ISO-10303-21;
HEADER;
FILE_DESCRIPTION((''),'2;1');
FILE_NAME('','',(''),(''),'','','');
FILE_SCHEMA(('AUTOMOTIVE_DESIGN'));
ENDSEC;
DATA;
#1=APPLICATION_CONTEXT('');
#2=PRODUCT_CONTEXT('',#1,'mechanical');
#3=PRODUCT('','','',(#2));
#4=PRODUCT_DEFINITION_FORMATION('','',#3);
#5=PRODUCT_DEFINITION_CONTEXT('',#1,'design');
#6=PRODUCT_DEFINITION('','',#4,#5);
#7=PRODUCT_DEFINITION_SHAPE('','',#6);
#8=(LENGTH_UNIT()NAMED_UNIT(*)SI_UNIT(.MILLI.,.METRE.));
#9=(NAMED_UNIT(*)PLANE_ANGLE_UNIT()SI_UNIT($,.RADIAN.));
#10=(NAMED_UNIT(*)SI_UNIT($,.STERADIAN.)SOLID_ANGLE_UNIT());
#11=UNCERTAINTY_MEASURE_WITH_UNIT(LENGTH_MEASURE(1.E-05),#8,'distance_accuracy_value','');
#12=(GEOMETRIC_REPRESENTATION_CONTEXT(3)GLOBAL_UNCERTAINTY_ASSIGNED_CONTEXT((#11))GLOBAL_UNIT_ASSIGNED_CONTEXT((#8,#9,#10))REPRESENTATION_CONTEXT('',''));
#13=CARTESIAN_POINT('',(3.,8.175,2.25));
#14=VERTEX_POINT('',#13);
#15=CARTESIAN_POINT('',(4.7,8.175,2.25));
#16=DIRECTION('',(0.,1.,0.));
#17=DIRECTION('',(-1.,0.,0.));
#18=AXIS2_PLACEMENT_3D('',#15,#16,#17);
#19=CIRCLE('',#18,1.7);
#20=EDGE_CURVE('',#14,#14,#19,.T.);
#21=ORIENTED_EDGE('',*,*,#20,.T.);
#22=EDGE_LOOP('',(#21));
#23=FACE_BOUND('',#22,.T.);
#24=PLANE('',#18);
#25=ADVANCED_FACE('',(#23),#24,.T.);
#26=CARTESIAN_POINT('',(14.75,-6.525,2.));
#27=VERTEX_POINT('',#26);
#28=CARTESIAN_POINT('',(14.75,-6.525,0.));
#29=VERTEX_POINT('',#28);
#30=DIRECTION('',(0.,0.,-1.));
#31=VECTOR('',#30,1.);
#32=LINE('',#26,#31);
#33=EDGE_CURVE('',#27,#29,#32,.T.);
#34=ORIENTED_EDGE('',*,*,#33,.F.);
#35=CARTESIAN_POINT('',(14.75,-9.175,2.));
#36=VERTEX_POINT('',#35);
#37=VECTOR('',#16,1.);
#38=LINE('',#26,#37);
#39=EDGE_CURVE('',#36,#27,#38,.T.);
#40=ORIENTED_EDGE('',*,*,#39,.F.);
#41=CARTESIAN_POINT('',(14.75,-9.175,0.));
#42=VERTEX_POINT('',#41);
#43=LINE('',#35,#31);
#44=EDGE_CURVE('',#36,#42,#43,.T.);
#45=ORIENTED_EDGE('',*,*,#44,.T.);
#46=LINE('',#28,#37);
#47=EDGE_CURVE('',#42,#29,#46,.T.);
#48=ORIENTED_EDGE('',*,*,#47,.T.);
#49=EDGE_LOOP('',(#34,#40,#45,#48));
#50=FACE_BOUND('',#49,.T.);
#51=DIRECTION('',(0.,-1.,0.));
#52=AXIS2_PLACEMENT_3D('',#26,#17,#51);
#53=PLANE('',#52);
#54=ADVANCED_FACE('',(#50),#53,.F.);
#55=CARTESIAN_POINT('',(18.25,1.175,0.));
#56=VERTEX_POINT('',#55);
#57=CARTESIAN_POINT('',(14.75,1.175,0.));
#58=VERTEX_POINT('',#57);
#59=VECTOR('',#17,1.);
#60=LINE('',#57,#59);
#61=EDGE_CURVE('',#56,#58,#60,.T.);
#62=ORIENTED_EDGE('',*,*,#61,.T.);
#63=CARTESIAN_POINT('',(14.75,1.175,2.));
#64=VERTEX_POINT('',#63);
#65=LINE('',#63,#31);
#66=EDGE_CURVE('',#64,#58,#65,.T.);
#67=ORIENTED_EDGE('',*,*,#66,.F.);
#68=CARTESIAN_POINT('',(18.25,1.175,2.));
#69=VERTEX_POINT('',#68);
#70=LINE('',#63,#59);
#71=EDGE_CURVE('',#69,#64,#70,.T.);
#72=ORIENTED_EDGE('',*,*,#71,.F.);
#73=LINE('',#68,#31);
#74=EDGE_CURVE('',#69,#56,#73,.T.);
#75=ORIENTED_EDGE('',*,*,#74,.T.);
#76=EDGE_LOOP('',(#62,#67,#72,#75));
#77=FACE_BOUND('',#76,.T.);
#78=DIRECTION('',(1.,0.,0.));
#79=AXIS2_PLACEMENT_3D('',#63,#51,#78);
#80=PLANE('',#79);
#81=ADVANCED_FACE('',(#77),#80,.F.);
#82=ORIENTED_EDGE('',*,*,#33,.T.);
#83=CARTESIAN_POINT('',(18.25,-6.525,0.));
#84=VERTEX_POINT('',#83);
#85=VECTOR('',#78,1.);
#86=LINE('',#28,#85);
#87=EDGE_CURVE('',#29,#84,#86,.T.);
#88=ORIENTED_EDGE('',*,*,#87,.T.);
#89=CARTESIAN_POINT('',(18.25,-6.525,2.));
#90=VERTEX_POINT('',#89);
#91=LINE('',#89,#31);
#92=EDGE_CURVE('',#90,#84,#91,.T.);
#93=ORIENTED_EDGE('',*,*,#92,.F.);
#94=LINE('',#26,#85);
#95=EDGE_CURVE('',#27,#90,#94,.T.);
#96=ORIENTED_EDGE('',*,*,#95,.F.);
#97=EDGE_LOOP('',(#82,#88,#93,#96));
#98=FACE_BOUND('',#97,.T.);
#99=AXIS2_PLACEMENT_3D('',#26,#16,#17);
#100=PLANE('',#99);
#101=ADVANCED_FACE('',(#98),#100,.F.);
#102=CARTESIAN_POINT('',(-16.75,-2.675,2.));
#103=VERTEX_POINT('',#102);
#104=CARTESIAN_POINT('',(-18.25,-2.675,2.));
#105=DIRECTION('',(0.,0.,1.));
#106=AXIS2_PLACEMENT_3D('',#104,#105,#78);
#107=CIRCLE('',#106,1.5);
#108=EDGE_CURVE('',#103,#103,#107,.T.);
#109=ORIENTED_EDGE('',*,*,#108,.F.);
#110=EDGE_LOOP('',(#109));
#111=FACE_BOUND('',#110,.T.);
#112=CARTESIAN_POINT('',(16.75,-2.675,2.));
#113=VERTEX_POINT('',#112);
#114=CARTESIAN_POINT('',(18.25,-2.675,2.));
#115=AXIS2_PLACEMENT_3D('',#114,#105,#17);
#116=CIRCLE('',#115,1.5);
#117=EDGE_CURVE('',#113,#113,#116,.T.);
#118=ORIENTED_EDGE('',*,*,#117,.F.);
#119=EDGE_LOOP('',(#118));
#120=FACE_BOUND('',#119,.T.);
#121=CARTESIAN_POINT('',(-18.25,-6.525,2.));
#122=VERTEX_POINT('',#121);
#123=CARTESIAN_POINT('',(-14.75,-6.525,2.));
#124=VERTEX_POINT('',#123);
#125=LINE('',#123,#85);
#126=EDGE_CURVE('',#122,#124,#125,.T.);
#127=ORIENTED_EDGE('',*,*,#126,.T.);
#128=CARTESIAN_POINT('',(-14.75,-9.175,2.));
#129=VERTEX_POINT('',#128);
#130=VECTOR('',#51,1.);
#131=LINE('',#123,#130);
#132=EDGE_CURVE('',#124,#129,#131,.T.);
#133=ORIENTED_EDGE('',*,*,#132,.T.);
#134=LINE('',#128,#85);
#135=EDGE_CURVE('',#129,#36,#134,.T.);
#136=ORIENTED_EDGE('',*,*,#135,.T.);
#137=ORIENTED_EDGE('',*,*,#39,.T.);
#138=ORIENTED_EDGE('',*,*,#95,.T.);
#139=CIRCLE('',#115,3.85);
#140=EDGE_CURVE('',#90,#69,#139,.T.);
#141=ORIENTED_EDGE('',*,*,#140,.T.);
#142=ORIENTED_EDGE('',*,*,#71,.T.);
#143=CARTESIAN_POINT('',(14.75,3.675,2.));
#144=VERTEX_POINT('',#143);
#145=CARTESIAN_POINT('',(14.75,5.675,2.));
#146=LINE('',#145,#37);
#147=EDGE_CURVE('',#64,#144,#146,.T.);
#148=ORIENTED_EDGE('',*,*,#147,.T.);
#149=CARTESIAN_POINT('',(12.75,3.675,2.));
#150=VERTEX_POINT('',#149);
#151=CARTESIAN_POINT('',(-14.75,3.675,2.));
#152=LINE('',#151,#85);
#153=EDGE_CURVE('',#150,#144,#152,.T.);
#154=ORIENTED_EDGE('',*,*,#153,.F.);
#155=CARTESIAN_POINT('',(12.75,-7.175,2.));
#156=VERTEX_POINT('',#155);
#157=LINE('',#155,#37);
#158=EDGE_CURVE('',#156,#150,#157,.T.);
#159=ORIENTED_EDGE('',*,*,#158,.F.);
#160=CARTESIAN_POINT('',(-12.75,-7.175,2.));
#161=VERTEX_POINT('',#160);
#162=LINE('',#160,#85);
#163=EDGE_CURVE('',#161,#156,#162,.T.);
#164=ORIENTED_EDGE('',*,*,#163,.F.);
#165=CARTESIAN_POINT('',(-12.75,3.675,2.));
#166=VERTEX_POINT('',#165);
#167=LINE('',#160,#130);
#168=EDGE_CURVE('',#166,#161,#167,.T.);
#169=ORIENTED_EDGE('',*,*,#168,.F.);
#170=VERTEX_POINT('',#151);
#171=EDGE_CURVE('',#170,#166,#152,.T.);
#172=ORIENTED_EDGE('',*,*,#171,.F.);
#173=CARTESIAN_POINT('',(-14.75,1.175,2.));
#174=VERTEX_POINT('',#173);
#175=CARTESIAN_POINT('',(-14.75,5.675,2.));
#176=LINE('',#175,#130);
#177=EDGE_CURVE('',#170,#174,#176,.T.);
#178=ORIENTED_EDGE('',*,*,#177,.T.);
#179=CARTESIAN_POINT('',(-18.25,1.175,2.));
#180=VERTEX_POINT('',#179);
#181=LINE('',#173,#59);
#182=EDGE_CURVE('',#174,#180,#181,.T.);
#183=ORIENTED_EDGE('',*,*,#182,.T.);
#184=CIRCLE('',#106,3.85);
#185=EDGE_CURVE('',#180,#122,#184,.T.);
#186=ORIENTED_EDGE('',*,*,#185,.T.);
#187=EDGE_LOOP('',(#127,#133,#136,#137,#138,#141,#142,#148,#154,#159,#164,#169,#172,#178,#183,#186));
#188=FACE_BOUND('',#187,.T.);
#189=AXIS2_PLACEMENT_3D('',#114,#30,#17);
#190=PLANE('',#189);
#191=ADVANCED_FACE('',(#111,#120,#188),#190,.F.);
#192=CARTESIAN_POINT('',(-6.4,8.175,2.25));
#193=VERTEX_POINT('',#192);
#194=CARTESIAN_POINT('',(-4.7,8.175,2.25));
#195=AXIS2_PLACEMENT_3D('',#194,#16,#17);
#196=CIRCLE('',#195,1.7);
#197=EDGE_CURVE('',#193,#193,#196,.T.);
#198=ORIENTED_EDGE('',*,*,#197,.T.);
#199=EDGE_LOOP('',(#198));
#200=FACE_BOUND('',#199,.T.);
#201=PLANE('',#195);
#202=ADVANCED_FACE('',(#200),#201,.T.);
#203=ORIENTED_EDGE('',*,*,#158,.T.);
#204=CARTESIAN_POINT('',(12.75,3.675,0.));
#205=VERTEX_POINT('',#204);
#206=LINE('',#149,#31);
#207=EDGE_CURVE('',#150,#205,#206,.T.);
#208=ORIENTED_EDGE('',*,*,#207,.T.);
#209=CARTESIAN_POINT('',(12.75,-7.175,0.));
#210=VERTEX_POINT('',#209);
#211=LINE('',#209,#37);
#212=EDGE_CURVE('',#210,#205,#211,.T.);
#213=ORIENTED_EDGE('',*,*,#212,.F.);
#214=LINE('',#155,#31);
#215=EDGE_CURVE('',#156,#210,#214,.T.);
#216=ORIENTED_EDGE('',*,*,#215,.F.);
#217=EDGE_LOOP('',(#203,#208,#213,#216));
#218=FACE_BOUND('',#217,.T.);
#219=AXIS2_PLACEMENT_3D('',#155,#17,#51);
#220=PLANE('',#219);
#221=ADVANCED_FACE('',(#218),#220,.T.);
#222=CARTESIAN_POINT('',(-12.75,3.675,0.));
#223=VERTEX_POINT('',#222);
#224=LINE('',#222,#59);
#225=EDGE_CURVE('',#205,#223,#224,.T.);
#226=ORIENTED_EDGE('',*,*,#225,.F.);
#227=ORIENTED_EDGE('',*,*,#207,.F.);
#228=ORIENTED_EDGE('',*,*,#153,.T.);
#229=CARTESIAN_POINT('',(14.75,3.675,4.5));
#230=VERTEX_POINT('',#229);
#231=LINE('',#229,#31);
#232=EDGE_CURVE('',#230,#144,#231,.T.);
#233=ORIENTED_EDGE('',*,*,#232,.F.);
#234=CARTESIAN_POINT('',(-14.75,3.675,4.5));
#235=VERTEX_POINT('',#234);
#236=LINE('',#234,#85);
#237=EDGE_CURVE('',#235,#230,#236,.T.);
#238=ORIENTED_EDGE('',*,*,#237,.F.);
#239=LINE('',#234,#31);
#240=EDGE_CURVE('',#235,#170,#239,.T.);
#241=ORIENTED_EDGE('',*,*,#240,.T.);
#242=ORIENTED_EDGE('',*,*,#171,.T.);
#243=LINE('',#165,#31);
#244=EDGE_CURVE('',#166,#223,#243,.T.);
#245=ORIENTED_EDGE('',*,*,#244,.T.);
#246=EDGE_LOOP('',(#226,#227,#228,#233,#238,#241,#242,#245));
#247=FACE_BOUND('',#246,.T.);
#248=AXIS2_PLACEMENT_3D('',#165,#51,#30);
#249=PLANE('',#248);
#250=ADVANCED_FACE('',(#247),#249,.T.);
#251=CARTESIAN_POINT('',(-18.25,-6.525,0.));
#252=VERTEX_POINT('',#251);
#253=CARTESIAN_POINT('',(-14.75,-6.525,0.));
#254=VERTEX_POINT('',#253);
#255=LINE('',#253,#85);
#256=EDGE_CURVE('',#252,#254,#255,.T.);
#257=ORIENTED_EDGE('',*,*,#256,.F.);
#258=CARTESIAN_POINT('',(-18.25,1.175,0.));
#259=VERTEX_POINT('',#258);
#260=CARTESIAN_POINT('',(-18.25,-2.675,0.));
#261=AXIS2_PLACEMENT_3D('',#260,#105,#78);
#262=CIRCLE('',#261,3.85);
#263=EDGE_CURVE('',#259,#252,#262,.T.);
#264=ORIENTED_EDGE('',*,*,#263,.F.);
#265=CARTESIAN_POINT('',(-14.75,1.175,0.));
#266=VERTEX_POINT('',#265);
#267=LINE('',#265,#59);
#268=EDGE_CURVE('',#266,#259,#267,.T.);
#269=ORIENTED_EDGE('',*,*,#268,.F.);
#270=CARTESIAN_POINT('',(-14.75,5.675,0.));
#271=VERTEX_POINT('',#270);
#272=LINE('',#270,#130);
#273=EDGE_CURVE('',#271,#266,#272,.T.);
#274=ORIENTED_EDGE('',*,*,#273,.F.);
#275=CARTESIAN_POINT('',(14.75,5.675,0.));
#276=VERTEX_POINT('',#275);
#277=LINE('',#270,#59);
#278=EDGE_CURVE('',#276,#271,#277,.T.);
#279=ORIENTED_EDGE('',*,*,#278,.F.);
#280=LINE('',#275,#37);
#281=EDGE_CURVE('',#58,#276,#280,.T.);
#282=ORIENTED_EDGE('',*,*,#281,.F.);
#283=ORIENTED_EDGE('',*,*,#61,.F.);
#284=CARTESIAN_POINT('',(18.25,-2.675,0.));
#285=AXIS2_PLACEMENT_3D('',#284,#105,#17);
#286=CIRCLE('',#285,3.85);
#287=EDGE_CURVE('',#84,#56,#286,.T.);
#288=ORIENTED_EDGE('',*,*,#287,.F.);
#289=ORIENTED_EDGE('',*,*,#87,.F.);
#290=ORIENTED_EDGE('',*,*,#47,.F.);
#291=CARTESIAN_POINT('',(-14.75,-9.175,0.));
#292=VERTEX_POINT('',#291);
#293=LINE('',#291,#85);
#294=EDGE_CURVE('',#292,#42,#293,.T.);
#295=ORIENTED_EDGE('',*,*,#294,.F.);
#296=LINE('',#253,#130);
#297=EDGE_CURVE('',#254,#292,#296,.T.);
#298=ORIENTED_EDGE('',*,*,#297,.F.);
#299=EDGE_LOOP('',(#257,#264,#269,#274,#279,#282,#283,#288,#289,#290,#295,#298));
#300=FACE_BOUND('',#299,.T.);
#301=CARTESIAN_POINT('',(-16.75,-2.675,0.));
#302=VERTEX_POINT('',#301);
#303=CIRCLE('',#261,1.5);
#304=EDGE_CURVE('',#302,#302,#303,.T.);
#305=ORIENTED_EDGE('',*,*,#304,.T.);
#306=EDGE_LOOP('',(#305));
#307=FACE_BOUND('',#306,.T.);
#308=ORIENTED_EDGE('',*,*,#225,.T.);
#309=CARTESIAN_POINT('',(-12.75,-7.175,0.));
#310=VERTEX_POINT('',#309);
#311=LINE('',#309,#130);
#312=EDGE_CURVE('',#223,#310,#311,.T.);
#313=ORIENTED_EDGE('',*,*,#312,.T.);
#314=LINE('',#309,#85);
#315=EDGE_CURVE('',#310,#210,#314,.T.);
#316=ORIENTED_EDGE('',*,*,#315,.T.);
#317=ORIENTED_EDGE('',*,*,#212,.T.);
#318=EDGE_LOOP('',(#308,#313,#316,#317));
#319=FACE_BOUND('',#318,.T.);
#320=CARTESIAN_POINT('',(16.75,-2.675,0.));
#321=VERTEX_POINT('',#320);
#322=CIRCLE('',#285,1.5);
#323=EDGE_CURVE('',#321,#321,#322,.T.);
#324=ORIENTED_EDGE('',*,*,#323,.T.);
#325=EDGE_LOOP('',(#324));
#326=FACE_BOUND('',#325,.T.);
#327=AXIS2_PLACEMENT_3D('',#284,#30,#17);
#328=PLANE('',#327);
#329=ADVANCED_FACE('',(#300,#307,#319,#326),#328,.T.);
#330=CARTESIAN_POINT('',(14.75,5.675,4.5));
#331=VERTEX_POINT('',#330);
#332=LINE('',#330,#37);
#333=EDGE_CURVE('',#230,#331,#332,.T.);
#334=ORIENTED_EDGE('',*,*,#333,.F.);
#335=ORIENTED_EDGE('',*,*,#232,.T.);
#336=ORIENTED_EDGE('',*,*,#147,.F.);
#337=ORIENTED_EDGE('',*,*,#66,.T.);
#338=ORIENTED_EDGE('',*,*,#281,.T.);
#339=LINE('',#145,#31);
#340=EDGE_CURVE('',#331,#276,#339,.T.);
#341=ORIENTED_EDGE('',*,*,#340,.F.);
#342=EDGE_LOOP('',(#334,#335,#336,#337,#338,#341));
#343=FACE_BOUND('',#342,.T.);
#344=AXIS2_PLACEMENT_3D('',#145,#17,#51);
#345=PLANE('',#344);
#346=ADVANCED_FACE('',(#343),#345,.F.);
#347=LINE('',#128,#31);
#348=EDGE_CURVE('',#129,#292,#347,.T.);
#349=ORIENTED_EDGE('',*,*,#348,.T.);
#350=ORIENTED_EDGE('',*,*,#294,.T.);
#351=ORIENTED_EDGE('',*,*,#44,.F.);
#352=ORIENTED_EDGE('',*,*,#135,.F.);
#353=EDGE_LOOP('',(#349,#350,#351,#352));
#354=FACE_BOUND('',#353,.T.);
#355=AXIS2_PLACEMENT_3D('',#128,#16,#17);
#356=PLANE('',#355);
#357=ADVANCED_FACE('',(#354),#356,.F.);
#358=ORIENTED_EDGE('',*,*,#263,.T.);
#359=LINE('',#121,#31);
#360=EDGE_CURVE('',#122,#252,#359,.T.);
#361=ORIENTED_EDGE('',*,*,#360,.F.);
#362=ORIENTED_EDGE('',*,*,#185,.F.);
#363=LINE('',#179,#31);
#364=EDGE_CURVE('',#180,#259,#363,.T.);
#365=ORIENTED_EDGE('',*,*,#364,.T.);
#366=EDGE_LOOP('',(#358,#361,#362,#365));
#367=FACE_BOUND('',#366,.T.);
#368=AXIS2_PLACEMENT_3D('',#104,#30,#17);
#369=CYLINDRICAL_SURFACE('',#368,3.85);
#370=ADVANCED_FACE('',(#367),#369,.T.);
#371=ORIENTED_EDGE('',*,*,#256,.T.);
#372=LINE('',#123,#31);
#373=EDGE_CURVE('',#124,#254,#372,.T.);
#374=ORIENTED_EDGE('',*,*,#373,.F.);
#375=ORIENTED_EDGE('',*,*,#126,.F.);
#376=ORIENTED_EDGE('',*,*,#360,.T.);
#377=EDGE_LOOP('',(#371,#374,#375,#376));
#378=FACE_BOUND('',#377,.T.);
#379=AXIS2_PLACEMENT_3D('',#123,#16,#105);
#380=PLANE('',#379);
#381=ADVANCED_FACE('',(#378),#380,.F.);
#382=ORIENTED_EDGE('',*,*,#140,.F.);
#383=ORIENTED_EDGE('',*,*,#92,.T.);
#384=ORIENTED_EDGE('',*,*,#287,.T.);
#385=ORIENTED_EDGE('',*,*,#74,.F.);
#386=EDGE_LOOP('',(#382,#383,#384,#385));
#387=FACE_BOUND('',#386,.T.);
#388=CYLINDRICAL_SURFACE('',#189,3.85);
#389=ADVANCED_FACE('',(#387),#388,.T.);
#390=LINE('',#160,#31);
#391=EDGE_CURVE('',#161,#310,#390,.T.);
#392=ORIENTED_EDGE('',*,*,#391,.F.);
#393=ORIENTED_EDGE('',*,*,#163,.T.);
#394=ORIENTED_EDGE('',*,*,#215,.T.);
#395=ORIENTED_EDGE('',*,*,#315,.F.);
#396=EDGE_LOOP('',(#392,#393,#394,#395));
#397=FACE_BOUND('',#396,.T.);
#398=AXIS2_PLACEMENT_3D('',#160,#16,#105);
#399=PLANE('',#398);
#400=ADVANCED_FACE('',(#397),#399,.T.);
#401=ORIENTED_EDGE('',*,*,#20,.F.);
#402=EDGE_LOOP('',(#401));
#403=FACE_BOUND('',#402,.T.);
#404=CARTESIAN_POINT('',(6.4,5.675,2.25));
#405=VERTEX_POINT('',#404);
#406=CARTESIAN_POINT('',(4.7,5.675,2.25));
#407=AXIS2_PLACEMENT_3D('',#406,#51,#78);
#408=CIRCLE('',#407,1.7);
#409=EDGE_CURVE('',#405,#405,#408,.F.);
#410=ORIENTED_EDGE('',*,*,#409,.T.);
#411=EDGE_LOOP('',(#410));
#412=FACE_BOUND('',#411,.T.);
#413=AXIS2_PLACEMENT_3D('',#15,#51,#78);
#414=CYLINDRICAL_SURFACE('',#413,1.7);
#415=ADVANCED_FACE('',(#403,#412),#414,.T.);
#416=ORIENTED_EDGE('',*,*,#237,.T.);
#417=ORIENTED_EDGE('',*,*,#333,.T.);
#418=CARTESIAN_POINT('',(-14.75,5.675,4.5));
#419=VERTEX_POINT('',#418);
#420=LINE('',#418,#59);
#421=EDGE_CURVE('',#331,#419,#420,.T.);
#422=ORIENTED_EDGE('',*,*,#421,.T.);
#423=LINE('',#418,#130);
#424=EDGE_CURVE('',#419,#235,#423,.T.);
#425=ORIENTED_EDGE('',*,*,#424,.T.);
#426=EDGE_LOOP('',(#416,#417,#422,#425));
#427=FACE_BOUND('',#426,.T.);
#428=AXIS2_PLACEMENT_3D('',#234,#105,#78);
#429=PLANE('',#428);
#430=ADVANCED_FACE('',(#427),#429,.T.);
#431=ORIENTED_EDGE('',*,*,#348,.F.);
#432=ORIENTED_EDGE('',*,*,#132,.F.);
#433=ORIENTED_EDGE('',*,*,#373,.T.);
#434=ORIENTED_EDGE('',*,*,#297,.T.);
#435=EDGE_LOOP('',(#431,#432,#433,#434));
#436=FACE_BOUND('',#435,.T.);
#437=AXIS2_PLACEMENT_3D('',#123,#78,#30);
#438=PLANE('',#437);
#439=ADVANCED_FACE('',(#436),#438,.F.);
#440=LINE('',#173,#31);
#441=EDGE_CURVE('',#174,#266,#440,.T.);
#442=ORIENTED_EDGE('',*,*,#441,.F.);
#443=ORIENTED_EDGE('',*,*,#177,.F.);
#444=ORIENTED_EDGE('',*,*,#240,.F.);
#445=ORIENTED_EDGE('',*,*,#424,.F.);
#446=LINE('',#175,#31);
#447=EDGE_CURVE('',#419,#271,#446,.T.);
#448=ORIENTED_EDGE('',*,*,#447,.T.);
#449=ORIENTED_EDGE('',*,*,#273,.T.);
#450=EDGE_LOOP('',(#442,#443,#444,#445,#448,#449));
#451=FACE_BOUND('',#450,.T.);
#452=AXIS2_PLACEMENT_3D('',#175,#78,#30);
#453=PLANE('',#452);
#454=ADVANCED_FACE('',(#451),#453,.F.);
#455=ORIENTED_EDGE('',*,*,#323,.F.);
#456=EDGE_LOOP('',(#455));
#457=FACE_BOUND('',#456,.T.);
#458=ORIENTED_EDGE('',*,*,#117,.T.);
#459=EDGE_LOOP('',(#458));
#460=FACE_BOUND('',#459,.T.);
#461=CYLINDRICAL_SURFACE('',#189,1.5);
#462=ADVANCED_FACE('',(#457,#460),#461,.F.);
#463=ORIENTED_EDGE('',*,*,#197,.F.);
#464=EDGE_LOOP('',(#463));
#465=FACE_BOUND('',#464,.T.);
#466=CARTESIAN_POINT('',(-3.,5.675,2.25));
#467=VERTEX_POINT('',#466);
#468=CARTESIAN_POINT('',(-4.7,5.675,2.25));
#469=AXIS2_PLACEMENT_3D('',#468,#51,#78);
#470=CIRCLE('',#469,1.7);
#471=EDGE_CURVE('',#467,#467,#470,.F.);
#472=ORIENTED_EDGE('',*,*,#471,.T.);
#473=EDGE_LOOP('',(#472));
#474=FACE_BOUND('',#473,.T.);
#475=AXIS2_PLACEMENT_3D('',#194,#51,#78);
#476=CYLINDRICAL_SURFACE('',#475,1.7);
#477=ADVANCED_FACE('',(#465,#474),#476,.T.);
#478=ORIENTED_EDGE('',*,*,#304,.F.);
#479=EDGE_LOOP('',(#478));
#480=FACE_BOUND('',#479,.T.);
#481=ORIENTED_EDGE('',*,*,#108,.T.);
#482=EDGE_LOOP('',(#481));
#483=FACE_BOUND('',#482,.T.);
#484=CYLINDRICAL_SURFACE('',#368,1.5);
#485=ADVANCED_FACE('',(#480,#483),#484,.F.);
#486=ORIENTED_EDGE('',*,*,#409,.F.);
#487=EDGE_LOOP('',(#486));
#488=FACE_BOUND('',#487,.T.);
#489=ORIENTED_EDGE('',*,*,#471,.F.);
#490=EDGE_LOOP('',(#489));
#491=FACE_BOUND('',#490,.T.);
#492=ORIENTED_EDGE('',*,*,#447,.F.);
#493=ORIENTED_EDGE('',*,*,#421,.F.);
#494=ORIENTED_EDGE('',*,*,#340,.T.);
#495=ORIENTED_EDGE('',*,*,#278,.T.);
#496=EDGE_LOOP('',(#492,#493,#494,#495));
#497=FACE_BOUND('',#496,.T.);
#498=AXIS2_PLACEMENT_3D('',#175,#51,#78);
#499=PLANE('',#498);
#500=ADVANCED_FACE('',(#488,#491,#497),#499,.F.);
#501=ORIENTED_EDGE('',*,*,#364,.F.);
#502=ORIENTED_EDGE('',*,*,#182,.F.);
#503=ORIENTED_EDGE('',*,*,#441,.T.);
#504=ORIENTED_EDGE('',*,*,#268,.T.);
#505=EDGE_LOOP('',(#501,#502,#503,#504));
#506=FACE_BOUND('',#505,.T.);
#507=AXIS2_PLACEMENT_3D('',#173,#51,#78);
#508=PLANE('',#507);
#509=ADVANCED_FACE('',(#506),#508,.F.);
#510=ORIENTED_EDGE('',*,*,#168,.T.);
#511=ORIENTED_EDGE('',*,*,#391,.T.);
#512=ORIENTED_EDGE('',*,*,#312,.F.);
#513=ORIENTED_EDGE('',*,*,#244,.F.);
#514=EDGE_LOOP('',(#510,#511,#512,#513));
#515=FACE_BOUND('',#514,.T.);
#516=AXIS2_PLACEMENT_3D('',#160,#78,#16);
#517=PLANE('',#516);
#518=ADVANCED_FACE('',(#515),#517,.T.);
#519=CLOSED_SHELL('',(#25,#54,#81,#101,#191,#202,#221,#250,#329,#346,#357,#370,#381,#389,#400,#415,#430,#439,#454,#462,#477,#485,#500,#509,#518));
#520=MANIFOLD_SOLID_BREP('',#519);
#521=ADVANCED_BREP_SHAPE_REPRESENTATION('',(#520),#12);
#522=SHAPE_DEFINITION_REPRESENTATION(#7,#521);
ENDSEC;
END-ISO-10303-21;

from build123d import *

# Parameters (mm, degrees)
SKETCH1_R           = 1.5
SKETCH1_W           = 25.5
SKETCH1_H           = 10.85
BOSS_EXTRUDE1_DEPTH = 2
SKETCH2_W           = 29.5
SKETCH2_H           = 2
BOSS_EXTRUDE2_DEPTH = 2.5
SKETCH3_R           = 1.7
BOSS_EXTRUDE3_DEPTH = 2.5


with BuildPart() as part:
    # Sketch1 → Boss-Extrude1 (new body)
    with BuildSketch(Plane.XY):
        with BuildLine():
            Line((-14.75, 5.675), (-14.75, 1.175))
            Line((-14.75, 1.175), (-18.25, 1.175))
            ThreePointArc((-18.25, 1.175), (-22.1, -2.675), (-18.25, -6.525))
            Line((-18.25, -6.525), (-14.75, -6.525))
            Line((-14.75, -6.525), (-14.75, -9.175))
            Line((-14.75, -9.175), (14.75, -9.175))
            Line((14.75, -9.175), (14.75, -6.525))
            Line((14.75, -6.525), (18.25, -6.525))
            ThreePointArc((18.25, -6.525), (22.1, -2.675), (18.25, 1.175))
            Line((18.25, 1.175), (14.75, 1.175))
            Line((14.75, 1.175), (14.75, 5.675))
            Line((14.75, 5.675), (-14.75, 5.675))
        make_face()
        with Locations((-18.25, -2.675)):
            Circle(SKETCH1_R, mode=Mode.SUBTRACT)
        with Locations(Location((18.25, -2.675, 0), (0, 0, 180))):
            Circle(SKETCH1_R, mode=Mode.SUBTRACT)
        with Locations((0, -1.75)):
            Rectangle(SKETCH1_W, SKETCH1_H, mode=Mode.SUBTRACT)
    extrude(amount=BOSS_EXTRUDE1_DEPTH)

    # Sketch2 → Boss-Extrude2 (add)
    with BuildSketch(Plane.XY.offset(2)):
        with Locations((0, 4.675)):
            Rectangle(SKETCH2_W, SKETCH2_H)
    extrude(amount=BOSS_EXTRUDE2_DEPTH)

    # Sketch3 → Boss-Extrude3 (add)
    with BuildSketch(Plane(origin=(0, 5.675, 0), x_dir=(1, 0, 0), z_dir=(0, 1, 0))):
        with Locations((-4.7, -2.25)):
            Circle(SKETCH3_R)
        with Locations((4.7, -2.25)):
            Circle(SKETCH3_R)
    extrude(amount=BOSS_EXTRUDE3_DEPTH)


solid = part.part
